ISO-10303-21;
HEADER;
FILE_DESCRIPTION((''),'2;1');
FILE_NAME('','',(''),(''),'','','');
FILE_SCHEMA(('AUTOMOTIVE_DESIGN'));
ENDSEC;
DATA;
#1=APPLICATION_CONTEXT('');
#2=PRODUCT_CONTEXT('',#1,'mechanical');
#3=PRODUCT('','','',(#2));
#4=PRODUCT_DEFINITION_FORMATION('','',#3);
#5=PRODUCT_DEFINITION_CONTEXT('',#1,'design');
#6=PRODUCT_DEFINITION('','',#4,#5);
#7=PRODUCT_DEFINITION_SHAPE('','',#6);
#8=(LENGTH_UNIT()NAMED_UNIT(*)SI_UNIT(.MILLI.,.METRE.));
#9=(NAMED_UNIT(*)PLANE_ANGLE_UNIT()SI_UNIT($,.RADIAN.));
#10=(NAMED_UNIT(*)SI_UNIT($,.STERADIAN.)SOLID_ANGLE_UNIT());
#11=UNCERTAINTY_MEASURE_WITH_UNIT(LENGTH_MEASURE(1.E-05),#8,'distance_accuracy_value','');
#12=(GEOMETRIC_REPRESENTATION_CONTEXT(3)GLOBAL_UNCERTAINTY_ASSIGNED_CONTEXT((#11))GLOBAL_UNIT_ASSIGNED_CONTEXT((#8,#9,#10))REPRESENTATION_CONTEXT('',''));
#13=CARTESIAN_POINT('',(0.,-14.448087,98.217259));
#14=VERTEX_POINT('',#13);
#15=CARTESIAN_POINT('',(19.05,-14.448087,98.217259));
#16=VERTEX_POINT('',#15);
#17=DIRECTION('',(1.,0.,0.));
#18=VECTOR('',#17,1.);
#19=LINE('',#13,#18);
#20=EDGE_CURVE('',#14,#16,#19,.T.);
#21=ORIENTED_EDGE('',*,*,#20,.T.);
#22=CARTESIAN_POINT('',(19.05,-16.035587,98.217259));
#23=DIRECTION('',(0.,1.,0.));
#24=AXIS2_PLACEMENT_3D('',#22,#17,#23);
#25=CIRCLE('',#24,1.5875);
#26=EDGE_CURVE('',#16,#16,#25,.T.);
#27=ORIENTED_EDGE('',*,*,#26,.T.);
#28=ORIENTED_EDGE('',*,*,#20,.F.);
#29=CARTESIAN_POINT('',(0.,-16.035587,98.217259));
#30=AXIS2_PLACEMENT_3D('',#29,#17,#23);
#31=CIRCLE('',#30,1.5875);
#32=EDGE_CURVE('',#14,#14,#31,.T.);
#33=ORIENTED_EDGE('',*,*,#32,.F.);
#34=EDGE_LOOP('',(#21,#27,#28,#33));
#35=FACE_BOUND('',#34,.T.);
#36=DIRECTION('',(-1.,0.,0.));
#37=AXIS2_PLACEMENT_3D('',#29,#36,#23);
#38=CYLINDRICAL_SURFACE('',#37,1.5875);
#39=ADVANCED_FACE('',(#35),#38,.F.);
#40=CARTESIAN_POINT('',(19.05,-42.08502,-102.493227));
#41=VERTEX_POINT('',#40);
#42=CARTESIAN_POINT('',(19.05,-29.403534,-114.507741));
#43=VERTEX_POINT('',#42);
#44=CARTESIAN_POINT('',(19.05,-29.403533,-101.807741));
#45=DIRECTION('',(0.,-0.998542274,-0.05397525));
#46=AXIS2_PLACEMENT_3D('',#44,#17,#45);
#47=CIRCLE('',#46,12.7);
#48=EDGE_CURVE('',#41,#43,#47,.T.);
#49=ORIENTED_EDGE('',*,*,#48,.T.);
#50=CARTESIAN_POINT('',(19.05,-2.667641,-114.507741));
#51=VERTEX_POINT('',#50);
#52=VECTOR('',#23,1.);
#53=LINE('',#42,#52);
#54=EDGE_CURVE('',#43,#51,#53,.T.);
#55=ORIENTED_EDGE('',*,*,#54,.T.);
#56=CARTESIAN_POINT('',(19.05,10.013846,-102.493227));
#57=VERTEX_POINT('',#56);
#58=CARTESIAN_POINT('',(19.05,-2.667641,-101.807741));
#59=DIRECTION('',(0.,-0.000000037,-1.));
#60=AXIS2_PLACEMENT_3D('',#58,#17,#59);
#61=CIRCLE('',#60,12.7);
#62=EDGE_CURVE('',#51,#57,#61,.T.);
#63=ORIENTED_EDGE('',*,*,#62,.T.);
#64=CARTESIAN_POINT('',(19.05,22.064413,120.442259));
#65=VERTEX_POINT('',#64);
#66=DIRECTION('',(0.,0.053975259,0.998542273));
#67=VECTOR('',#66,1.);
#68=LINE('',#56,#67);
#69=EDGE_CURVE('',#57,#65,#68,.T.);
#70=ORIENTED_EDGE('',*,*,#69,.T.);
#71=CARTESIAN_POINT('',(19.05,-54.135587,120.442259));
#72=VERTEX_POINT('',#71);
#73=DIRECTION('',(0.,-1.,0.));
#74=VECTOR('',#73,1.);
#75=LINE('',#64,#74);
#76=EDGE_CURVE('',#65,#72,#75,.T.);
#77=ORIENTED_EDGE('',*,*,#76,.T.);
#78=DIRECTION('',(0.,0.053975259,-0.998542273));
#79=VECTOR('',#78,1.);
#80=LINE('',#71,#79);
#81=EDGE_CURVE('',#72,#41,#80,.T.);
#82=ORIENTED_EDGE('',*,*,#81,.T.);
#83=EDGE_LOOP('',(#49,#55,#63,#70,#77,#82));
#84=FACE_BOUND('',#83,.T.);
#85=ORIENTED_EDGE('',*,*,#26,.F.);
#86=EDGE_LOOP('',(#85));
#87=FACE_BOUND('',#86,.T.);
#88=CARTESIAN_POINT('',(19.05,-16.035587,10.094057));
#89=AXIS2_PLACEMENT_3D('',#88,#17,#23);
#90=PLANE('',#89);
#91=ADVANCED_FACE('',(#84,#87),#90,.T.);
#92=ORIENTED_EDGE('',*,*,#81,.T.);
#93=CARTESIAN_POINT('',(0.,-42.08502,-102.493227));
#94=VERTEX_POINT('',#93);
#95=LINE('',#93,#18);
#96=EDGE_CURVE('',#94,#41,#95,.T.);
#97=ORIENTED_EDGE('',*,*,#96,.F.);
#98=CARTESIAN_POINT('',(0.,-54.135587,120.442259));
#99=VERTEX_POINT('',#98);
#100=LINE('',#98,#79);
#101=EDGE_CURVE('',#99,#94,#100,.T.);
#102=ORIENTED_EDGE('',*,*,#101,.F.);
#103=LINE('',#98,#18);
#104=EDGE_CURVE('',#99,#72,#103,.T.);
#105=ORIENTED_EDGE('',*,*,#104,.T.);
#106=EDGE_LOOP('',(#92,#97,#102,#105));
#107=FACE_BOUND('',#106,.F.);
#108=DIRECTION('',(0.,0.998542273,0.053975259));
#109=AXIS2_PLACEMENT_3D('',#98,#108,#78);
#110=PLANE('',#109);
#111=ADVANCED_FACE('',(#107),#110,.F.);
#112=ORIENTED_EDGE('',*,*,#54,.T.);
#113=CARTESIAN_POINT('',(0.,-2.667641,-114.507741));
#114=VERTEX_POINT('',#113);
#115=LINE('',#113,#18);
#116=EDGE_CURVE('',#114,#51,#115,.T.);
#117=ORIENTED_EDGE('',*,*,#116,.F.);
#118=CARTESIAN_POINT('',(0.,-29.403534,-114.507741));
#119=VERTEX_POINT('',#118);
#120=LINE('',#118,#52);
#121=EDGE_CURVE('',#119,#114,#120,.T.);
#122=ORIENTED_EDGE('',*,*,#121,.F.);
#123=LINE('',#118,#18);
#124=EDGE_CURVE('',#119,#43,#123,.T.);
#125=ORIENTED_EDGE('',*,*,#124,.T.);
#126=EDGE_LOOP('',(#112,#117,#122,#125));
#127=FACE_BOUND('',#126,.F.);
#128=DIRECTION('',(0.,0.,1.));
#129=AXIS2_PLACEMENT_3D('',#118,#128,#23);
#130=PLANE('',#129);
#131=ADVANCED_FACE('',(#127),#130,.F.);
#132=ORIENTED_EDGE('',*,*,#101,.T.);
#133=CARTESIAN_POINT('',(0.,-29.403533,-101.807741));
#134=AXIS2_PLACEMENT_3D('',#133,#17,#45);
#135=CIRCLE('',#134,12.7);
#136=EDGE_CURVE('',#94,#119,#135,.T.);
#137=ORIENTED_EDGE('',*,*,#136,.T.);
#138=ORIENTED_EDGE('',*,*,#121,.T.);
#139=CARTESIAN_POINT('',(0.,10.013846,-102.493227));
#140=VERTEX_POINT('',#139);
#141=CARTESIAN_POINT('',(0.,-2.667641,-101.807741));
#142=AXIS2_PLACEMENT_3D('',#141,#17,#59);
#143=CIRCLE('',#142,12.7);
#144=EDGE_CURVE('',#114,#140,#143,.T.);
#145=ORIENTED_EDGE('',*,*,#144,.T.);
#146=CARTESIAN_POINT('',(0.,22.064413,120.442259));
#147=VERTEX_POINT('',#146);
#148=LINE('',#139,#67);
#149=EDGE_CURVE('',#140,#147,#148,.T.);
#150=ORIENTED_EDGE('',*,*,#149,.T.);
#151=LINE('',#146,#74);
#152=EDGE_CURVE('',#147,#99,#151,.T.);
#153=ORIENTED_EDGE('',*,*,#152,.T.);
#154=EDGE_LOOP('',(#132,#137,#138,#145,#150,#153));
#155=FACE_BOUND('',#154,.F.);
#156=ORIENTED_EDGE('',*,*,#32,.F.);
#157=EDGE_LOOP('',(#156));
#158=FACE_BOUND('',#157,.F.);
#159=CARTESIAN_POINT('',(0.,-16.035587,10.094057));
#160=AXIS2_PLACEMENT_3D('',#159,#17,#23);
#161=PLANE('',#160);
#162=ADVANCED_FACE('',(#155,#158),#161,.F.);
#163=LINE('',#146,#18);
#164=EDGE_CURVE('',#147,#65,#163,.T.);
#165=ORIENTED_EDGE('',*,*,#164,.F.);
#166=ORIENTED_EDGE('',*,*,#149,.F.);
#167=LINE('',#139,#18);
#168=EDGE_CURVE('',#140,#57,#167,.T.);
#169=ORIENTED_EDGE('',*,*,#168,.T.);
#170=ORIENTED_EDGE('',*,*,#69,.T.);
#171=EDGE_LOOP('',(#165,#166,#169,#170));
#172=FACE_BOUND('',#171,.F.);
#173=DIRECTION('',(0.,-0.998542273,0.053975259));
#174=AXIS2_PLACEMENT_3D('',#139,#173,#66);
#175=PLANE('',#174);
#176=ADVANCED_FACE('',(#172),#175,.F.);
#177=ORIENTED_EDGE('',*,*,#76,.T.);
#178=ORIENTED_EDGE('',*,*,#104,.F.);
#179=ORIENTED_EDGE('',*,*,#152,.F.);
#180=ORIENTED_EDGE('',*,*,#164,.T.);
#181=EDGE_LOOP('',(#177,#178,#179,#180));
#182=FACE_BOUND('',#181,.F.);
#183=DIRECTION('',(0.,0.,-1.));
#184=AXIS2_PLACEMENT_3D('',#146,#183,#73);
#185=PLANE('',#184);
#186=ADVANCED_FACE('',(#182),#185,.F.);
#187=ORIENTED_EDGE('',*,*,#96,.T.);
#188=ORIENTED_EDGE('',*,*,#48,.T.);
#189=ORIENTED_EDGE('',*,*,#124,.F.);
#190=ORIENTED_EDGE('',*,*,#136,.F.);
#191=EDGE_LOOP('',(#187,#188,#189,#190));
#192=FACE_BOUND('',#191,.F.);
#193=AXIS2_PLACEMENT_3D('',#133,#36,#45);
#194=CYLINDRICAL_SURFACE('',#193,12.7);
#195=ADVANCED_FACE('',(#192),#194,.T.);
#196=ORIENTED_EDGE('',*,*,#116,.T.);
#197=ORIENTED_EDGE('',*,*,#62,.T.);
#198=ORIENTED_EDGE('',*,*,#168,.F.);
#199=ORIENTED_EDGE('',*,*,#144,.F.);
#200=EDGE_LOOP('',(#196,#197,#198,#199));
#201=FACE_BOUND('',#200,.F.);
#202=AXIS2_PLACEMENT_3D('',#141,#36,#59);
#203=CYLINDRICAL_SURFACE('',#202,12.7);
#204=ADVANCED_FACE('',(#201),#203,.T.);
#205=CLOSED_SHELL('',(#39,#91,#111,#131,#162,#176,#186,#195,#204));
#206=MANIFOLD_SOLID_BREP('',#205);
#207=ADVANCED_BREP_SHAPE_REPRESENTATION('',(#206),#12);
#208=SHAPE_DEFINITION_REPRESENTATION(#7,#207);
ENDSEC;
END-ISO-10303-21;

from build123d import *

# Parameters (mm, degrees)
F0_R     = 1.5875
F1_DEPTH = 19.05


with BuildPart() as f1:
    # F0 (on Right) → F1 (new body)
    with BuildSketch(Plane.YZ):
        with BuildLine():
            ThreePointArc((-42.08502, -102.493227), (-38.138072, -111.027168), (-29.403534, -114.507741))
            Line((-29.403534, -114.507741), (-2.667641, -114.507741))
            ThreePointArc((-2.667641, -114.507741), (6.066898, -111.027168), (10.013846, -102.493227))
            Line((10.013846, -102.493227), (22.064413, 120.442259))
            Line((22.064413, 120.442259), (-54.135587, 120.442259))
            Line((-54.135587, 120.442259), (-42.08502, -102.493227))
        make_face()
        with Locations((-16.035587, 98.217259)):
            Circle(F0_R, mode=Mode.SUBTRACT)
    extrude(amount=F1_DEPTH)


solid = f1.part
